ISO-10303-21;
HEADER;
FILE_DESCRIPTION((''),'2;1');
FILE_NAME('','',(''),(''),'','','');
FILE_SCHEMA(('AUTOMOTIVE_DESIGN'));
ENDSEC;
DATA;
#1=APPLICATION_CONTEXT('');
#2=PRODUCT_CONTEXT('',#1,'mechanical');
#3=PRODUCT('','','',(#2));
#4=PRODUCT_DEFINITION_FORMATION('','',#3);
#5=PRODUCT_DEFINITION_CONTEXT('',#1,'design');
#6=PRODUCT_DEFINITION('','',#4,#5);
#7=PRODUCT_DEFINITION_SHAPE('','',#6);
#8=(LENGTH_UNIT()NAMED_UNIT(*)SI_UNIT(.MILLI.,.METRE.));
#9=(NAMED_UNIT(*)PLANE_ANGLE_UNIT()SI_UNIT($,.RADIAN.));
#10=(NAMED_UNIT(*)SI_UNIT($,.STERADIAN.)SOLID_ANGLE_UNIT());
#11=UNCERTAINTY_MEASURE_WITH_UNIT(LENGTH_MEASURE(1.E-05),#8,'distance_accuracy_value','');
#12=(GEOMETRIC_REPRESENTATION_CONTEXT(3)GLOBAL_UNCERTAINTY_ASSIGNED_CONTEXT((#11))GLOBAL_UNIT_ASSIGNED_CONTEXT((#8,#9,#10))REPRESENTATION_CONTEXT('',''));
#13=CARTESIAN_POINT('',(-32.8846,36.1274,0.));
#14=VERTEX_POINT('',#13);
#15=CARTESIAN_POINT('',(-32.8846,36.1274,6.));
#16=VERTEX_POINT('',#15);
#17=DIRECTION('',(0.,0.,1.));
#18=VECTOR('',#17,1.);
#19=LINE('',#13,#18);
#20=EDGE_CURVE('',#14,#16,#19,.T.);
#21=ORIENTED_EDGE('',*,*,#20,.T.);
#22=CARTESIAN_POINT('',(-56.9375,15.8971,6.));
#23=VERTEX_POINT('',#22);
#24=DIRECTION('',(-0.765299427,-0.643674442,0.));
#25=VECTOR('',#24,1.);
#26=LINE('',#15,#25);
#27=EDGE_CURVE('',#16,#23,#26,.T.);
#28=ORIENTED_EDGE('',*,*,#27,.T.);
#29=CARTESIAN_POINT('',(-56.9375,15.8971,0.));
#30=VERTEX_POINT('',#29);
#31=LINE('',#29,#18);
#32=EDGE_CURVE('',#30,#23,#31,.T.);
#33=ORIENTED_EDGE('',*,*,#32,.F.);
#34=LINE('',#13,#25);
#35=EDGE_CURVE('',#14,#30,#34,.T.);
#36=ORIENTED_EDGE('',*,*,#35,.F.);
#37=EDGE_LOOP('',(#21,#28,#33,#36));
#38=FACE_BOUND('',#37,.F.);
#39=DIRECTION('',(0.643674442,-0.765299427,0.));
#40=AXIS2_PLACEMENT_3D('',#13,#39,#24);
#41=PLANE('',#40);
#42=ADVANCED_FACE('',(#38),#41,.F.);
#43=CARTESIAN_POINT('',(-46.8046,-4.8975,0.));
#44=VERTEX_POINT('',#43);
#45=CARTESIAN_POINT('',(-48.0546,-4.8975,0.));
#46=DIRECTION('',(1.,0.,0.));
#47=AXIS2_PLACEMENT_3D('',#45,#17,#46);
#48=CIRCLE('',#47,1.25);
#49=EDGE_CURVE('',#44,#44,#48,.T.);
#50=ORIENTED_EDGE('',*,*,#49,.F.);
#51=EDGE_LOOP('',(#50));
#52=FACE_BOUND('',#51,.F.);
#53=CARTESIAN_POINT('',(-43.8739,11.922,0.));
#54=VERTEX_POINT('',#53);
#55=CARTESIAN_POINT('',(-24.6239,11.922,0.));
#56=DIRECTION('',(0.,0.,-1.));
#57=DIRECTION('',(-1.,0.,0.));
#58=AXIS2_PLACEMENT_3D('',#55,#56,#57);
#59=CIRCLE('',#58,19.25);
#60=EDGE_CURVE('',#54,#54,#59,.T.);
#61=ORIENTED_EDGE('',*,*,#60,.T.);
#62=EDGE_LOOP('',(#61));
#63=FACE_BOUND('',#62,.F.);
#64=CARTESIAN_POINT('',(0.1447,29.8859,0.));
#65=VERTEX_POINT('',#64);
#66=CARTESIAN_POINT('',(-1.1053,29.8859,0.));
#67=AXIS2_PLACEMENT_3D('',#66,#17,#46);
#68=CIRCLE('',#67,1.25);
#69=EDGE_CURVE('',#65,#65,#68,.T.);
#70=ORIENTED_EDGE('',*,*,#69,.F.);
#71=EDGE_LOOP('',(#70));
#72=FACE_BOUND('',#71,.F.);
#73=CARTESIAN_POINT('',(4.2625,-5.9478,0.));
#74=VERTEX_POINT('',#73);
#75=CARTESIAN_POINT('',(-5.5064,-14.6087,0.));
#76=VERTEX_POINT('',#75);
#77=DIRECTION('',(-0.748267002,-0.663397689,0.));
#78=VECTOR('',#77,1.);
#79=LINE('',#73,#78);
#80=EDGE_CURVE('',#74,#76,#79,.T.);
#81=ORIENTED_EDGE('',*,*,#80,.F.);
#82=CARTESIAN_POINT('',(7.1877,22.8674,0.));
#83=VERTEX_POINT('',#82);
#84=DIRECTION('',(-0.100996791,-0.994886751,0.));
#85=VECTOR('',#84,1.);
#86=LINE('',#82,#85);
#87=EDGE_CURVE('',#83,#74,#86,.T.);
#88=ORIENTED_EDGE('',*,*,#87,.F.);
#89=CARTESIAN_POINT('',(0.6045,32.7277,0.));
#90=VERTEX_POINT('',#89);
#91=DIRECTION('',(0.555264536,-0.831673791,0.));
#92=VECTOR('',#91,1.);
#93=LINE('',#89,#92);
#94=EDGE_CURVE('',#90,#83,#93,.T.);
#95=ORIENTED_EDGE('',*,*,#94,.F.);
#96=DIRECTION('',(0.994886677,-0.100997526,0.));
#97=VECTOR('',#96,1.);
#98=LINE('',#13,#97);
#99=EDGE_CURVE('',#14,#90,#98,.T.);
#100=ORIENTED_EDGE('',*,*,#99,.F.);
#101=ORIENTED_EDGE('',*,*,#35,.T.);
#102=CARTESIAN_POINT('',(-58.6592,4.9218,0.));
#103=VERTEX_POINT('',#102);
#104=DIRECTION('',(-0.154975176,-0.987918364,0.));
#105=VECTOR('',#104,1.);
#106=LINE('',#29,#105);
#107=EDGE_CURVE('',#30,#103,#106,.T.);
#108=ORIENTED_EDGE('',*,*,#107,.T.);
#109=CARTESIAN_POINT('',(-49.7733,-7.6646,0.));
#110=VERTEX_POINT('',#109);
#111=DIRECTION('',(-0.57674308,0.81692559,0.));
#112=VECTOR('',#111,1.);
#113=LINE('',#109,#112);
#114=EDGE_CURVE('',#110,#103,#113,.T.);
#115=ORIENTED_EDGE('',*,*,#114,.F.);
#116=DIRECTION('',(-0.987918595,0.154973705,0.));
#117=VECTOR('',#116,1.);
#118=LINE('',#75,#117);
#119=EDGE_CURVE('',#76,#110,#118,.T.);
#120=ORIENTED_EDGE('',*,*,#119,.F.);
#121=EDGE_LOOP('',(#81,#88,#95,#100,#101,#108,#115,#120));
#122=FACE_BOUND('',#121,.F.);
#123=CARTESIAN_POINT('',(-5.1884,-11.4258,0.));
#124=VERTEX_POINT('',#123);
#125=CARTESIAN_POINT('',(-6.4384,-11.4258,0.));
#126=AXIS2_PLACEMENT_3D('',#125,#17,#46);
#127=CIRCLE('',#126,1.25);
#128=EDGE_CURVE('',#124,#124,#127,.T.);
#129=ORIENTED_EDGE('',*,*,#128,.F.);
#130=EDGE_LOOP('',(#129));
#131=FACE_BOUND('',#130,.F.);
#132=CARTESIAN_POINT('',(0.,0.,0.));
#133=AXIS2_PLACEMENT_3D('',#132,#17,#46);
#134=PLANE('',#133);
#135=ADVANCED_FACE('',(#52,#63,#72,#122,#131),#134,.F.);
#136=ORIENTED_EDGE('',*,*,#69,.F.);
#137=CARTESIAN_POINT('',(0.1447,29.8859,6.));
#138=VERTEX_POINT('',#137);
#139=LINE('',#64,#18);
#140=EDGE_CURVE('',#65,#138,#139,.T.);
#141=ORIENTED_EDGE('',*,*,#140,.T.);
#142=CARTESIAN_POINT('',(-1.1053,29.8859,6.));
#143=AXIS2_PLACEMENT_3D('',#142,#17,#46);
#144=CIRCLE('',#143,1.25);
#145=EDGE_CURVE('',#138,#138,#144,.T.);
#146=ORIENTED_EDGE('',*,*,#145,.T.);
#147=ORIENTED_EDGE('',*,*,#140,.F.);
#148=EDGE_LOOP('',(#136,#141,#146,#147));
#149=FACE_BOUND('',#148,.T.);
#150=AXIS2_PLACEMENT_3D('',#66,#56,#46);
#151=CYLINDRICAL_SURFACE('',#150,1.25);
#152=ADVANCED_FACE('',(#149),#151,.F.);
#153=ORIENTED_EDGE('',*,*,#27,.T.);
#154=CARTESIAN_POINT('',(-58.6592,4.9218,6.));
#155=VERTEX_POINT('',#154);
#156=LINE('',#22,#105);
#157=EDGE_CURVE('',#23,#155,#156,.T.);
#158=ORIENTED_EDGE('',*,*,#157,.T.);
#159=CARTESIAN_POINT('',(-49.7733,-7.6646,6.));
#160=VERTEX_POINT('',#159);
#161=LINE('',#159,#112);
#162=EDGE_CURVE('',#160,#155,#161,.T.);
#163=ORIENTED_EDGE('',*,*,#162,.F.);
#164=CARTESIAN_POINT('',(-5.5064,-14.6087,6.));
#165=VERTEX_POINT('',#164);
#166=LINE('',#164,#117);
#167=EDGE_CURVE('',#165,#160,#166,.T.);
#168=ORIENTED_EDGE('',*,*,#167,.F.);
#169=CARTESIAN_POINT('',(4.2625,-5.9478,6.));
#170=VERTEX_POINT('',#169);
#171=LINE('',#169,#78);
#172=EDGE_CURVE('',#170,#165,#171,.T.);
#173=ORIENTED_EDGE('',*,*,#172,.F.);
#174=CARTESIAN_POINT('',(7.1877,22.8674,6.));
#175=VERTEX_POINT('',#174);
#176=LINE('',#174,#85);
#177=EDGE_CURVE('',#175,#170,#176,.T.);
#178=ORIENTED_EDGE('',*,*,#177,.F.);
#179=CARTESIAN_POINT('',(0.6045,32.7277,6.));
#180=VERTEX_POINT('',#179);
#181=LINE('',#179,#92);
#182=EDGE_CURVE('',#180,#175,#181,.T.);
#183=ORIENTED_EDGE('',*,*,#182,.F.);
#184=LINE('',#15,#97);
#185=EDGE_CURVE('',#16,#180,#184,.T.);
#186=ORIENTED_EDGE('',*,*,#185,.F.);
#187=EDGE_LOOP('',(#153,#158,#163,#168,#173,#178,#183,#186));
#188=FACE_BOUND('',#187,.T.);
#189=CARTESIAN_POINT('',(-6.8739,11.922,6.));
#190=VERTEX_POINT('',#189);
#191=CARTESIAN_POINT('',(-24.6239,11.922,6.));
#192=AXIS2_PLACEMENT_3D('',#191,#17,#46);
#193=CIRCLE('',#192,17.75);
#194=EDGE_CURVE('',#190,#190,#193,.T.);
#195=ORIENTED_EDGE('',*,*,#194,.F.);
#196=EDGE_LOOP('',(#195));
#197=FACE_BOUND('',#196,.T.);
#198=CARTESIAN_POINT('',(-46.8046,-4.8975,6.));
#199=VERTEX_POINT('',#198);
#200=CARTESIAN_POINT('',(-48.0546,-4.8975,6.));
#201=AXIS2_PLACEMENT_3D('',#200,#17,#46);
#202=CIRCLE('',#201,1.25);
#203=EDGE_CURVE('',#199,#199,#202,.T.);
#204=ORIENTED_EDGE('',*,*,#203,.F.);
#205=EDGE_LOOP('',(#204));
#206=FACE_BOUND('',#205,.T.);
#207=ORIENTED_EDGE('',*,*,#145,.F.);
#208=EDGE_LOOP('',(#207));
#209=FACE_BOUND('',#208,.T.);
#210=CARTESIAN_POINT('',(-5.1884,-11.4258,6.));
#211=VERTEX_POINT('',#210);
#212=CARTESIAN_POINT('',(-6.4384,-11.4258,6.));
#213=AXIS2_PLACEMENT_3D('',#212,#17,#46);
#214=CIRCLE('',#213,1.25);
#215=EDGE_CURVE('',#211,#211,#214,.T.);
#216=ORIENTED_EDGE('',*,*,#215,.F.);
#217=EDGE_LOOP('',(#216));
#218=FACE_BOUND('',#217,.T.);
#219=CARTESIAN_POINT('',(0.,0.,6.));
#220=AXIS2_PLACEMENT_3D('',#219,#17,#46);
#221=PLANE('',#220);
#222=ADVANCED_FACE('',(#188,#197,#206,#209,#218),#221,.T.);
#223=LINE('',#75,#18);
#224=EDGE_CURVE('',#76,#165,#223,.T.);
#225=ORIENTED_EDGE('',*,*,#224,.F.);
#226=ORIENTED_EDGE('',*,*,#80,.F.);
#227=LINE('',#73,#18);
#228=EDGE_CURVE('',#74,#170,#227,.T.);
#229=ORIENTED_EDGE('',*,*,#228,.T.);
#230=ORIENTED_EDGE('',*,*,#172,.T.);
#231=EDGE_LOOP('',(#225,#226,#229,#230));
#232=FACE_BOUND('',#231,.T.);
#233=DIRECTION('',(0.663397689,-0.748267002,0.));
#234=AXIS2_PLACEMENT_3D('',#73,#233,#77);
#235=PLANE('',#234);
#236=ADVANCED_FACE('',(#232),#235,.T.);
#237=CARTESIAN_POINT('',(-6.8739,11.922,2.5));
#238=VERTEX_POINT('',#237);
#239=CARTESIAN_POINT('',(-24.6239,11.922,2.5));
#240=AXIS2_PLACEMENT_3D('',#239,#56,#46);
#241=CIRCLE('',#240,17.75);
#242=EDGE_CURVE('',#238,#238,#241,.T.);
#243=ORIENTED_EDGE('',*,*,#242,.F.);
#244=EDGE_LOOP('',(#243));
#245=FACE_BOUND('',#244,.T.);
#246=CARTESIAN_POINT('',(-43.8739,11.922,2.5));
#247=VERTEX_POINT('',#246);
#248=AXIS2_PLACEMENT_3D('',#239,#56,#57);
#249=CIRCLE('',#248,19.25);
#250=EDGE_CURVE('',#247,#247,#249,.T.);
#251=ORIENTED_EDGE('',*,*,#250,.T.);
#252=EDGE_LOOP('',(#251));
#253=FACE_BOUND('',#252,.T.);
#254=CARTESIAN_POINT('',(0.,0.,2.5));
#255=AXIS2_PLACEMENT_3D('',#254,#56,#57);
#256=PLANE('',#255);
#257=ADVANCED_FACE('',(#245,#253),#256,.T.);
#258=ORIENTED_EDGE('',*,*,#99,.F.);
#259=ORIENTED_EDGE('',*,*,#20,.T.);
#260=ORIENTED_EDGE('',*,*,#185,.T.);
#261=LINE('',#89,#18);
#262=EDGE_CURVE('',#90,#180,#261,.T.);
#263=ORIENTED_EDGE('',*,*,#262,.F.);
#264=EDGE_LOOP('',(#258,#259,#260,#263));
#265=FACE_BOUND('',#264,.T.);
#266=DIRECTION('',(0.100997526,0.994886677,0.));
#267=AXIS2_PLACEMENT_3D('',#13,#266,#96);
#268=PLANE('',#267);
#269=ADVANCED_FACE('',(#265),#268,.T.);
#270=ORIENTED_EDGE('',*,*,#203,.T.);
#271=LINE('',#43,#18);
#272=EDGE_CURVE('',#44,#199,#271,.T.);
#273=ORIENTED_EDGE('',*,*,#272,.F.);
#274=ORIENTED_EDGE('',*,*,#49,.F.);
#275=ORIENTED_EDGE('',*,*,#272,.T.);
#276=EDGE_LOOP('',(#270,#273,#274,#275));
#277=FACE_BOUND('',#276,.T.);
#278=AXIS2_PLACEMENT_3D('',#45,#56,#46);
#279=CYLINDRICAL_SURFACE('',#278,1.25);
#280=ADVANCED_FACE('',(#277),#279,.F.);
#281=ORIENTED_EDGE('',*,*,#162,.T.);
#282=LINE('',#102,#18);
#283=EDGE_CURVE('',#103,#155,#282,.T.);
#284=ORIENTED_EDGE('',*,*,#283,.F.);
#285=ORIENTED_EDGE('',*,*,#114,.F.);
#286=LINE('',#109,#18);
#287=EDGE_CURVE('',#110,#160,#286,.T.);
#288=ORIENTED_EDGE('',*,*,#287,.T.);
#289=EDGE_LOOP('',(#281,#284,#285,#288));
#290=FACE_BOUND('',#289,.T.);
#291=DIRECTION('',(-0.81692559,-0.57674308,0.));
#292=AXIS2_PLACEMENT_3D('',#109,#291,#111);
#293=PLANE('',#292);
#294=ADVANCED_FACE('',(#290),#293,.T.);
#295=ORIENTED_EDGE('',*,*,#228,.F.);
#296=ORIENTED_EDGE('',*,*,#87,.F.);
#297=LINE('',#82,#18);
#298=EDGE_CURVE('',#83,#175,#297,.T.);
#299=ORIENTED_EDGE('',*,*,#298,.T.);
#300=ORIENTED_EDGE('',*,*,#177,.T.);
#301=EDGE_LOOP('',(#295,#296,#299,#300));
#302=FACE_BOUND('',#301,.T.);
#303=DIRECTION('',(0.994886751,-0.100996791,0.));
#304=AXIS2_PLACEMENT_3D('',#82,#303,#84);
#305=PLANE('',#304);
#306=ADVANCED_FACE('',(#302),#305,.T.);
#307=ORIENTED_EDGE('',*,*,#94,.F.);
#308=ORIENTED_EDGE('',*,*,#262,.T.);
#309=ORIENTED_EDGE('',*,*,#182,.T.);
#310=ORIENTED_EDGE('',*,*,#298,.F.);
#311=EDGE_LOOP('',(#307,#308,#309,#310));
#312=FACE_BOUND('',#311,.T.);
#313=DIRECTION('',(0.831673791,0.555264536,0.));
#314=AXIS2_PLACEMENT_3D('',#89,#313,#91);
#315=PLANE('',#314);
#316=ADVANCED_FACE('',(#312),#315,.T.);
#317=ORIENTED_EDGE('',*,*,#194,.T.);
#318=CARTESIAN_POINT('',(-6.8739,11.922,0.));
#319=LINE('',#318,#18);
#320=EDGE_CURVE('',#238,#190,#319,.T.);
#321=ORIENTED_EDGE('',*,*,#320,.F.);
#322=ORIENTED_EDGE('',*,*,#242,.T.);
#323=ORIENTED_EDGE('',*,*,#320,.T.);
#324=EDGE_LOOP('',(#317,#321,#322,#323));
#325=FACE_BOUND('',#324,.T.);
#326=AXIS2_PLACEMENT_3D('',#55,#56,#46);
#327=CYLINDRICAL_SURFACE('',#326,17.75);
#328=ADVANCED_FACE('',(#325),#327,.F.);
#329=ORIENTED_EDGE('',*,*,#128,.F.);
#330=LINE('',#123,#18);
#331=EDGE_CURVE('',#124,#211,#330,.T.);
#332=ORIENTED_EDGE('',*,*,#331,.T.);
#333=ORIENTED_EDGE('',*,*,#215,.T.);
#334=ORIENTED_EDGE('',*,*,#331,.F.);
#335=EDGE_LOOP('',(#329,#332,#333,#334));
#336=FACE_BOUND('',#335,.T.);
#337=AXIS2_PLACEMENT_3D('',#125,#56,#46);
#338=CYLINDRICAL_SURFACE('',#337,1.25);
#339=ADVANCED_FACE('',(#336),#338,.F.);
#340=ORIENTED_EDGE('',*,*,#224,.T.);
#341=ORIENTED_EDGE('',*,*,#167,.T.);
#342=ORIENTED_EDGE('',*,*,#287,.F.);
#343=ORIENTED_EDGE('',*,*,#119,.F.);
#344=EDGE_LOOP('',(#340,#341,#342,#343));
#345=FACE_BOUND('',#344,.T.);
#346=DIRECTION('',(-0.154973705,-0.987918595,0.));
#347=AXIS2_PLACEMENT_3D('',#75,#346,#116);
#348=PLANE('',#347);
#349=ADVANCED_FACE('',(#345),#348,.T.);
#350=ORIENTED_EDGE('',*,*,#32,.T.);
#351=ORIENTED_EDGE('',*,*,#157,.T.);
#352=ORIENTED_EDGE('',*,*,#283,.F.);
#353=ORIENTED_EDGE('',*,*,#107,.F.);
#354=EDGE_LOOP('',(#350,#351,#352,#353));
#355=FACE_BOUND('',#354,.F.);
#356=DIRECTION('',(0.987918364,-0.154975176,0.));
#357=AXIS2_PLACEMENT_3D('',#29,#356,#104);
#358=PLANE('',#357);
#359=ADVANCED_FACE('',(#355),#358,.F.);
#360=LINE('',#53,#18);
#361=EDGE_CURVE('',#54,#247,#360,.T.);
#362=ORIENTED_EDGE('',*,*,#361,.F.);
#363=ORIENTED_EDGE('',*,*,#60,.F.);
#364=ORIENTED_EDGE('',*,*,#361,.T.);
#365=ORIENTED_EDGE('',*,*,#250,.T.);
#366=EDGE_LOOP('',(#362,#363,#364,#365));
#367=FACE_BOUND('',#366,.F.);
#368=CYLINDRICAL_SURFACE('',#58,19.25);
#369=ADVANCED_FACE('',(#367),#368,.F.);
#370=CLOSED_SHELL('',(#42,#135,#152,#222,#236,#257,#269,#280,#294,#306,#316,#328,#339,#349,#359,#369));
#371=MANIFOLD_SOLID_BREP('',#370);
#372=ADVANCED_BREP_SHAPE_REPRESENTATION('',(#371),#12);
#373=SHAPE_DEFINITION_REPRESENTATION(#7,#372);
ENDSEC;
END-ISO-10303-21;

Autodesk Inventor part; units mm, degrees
ref_plane "YZ Plane" through (0, 0, 0) normal (1, 0, 0) x (0, 1, 0)
ref_plane "XZ Plane" through (0, 0, 0) normal (0, 1, 0) x (-1, 0, 0)
ref_plane "XY Plane" through (0, 0, 0) normal (0, 0, 1) x (1, 0, 0)
sketch "Sketch1" plane through (0, 0, 0) normal (0, 0, 1) x (1, 0, 0)
  line L0 (0.6045, 32.7277) -> (-43.9747, 37.2532) construction
  line L1 (-49.7733, -7.6646) -> (-5.5064, -14.6087) construction
  circle A0 centre (-43.015, 34.1404) radius 3.175 construction
  line L2 (-5.5064, -14.6087) -> (15.1919, 3.7419) construction
  line L3 (-42.0553, 31.0275) -> (-2.8152, 27.0441) construction
  line L4 (-7.3705, -8.2429) -> (-46.3358, -2.1305) construction
  line L5 (9.5291, 6.74) -> (-7.3705, -8.2429) construction
  line L6 (-2.8152, 27.0441) -> (9.7254, 8.2606) construction
  line L7 (-32.8846, 36.1274) -> (0.6045, 32.7277)
  line L8 (-32.8846, 36.1274) -> (-56.9375, 15.8971)
  line L9 (-65.2029, 14.1906) -> (-49.7733, -7.6646) construction
  line L10 (15.9639, 9.7222) -> (0.6045, 32.7277) construction
  line L11 (0.6045, 32.7277) -> (7.1877, 22.8674)
  line L12 (7.1877, 22.8674) -> (4.2625, -5.9478)
  line L13 (4.2625, -5.9478) -> (-5.5064, -14.6087)
  line L14 (-5.5064, -14.6087) -> (-49.7733, -7.6646)
  line L15 (-49.7733, -7.6646) -> (-58.6592, 4.9218)
  line L16 (-56.9375, 15.8971) -> (-58.6592, 4.9218)
  line L17 (-58.7974, 16.9461) -> (-42.0553, 31.0275) construction
  circle A1 centre (-24.6239, 11.922) radius 17.75
  circle A2 centre (-1.1053, 29.8859) radius 1.25
  circle A3 centre (-48.0546, -4.8975) radius 1.25
  circle A4 centre (-6.4384, -11.4258) radius 1.25
  point P0 (0, 0)
  dimension "d0" = 2
  dimension "d1" = 2
  dimension "d2" = 4
extrude "Extrusion1" add sketch "Sketch1" along normal blind 6
sketch "Sketch2" plane through (0, 0, 0) normal (0, 0, -1) x (-1, 0, 0)
  circle A0 centre (24.6239, 11.922) radius 17.75 projected
  circle A1 centre (24.6239, 11.922) radius 19.25
  point P0 (0, 0)
  dimension "d5" = 38.5
extrude "Extrusion2" cut sketch "Sketch2" against normal blind 2.5
equation "\"d1\" = d0"
properties part number "TongueSideLid"
